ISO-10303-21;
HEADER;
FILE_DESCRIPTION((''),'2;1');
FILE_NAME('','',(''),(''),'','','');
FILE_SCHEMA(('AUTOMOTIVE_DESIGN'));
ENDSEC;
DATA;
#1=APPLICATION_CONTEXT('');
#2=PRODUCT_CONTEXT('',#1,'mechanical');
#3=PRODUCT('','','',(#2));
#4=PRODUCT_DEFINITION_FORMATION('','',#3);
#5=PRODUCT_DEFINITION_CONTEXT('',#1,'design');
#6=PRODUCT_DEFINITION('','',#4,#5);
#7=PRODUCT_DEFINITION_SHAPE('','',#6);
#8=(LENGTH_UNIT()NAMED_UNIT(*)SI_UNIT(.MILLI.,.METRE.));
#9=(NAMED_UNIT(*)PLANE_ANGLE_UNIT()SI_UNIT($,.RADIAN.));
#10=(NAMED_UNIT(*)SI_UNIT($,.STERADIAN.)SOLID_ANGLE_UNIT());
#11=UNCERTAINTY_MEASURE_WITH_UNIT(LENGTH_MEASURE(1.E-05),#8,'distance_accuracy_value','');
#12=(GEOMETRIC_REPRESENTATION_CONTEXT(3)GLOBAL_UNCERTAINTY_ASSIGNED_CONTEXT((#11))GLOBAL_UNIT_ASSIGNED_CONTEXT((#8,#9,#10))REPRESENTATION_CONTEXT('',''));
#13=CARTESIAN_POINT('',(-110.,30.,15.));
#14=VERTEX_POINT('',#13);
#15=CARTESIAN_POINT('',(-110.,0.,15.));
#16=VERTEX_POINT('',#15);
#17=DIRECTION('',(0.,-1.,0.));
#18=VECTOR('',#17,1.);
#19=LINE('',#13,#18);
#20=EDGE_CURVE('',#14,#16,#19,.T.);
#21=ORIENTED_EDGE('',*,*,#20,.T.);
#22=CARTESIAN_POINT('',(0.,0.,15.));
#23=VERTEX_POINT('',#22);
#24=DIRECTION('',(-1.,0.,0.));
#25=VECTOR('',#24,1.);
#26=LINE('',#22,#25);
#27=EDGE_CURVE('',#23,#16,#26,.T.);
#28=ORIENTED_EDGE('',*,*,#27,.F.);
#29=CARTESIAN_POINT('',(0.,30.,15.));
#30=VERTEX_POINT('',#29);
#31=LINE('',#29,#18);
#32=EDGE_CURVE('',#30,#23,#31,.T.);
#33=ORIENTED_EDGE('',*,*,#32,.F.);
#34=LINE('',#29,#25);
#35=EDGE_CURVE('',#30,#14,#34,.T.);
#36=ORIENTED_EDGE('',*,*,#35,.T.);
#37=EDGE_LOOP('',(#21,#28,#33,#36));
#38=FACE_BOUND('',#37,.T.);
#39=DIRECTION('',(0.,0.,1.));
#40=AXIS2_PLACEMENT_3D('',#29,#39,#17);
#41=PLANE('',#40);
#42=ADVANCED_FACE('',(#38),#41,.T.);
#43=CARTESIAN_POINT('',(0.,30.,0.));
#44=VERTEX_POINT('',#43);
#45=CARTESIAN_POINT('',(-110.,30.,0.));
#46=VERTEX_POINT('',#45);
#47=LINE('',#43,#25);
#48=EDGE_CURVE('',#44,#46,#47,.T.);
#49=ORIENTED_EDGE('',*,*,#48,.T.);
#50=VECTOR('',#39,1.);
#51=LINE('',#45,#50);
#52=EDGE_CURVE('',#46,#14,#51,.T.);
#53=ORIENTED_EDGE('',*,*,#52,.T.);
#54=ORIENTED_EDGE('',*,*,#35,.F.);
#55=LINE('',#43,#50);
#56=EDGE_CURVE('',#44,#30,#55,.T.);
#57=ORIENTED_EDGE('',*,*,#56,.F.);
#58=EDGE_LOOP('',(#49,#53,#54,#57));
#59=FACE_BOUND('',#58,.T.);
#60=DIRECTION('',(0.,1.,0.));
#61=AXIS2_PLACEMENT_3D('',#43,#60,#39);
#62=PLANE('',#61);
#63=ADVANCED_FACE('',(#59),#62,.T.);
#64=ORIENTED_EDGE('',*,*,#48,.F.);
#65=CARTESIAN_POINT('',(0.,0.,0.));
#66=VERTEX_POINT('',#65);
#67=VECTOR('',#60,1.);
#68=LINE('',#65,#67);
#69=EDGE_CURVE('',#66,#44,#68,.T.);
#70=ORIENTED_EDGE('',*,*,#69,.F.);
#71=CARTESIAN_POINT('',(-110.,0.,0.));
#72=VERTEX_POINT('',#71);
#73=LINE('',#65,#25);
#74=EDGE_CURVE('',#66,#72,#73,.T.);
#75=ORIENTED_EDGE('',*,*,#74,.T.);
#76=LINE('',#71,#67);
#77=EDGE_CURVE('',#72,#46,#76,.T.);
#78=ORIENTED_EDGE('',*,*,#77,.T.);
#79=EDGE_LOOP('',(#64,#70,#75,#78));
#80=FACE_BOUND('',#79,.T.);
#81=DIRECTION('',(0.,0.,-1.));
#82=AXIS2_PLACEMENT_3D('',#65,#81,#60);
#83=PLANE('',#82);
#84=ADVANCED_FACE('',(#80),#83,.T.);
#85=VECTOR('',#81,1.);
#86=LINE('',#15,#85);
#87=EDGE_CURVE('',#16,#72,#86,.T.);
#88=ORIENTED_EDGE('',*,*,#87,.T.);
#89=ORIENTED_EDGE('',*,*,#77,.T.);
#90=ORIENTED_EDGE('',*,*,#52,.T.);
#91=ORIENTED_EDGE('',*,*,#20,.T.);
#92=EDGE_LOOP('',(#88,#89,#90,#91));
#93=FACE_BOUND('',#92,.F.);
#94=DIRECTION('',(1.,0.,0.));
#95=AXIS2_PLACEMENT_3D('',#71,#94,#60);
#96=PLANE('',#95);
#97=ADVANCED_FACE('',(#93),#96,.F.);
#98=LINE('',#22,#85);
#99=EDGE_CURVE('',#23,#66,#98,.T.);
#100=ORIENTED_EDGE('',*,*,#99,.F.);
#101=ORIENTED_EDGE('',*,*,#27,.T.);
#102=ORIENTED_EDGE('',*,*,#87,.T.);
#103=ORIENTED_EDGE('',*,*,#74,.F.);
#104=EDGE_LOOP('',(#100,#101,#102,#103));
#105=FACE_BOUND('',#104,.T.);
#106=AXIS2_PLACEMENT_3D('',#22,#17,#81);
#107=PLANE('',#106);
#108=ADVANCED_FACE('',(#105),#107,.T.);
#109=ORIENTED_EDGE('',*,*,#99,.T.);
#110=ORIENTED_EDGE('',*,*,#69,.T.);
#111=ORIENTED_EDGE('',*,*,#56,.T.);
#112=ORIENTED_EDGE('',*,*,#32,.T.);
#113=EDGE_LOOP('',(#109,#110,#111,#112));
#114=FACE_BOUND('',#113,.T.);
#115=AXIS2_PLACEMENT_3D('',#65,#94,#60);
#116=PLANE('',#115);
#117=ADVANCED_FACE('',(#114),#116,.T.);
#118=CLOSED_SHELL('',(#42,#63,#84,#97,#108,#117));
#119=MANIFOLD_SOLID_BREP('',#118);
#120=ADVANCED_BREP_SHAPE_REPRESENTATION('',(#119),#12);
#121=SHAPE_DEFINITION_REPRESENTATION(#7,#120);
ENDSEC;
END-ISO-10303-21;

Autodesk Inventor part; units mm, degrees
ref_plane "YZ Plane" through (0, 0, 0) normal (1, 0, 0) x (0, 1, 0)
ref_plane "XZ Plane" through (0, 0, 0) normal (0, 1, 0) x (-1, 0, 0)
ref_plane "XY Plane" through (0, 0, 0) normal (0, 0, 1) x (1, 0, 0)
sketch "Sketch1" plane through (0, 0, 0) normal (1, 0, 0) x (0, 1, 0)
  line L0 (0, 0) -> (30, 0)
  line L1 (30, 0) -> (30, 15)
  line L2 (30, 15) -> (0, 15)
  line L3 (0, 15) -> (0, 0)
  dimension "d0" = 30
  dimension "d1" = 15
extrude "Extrusion1" add sketch "Sketch1" against normal blind 110
properties part number "frame_support2"
